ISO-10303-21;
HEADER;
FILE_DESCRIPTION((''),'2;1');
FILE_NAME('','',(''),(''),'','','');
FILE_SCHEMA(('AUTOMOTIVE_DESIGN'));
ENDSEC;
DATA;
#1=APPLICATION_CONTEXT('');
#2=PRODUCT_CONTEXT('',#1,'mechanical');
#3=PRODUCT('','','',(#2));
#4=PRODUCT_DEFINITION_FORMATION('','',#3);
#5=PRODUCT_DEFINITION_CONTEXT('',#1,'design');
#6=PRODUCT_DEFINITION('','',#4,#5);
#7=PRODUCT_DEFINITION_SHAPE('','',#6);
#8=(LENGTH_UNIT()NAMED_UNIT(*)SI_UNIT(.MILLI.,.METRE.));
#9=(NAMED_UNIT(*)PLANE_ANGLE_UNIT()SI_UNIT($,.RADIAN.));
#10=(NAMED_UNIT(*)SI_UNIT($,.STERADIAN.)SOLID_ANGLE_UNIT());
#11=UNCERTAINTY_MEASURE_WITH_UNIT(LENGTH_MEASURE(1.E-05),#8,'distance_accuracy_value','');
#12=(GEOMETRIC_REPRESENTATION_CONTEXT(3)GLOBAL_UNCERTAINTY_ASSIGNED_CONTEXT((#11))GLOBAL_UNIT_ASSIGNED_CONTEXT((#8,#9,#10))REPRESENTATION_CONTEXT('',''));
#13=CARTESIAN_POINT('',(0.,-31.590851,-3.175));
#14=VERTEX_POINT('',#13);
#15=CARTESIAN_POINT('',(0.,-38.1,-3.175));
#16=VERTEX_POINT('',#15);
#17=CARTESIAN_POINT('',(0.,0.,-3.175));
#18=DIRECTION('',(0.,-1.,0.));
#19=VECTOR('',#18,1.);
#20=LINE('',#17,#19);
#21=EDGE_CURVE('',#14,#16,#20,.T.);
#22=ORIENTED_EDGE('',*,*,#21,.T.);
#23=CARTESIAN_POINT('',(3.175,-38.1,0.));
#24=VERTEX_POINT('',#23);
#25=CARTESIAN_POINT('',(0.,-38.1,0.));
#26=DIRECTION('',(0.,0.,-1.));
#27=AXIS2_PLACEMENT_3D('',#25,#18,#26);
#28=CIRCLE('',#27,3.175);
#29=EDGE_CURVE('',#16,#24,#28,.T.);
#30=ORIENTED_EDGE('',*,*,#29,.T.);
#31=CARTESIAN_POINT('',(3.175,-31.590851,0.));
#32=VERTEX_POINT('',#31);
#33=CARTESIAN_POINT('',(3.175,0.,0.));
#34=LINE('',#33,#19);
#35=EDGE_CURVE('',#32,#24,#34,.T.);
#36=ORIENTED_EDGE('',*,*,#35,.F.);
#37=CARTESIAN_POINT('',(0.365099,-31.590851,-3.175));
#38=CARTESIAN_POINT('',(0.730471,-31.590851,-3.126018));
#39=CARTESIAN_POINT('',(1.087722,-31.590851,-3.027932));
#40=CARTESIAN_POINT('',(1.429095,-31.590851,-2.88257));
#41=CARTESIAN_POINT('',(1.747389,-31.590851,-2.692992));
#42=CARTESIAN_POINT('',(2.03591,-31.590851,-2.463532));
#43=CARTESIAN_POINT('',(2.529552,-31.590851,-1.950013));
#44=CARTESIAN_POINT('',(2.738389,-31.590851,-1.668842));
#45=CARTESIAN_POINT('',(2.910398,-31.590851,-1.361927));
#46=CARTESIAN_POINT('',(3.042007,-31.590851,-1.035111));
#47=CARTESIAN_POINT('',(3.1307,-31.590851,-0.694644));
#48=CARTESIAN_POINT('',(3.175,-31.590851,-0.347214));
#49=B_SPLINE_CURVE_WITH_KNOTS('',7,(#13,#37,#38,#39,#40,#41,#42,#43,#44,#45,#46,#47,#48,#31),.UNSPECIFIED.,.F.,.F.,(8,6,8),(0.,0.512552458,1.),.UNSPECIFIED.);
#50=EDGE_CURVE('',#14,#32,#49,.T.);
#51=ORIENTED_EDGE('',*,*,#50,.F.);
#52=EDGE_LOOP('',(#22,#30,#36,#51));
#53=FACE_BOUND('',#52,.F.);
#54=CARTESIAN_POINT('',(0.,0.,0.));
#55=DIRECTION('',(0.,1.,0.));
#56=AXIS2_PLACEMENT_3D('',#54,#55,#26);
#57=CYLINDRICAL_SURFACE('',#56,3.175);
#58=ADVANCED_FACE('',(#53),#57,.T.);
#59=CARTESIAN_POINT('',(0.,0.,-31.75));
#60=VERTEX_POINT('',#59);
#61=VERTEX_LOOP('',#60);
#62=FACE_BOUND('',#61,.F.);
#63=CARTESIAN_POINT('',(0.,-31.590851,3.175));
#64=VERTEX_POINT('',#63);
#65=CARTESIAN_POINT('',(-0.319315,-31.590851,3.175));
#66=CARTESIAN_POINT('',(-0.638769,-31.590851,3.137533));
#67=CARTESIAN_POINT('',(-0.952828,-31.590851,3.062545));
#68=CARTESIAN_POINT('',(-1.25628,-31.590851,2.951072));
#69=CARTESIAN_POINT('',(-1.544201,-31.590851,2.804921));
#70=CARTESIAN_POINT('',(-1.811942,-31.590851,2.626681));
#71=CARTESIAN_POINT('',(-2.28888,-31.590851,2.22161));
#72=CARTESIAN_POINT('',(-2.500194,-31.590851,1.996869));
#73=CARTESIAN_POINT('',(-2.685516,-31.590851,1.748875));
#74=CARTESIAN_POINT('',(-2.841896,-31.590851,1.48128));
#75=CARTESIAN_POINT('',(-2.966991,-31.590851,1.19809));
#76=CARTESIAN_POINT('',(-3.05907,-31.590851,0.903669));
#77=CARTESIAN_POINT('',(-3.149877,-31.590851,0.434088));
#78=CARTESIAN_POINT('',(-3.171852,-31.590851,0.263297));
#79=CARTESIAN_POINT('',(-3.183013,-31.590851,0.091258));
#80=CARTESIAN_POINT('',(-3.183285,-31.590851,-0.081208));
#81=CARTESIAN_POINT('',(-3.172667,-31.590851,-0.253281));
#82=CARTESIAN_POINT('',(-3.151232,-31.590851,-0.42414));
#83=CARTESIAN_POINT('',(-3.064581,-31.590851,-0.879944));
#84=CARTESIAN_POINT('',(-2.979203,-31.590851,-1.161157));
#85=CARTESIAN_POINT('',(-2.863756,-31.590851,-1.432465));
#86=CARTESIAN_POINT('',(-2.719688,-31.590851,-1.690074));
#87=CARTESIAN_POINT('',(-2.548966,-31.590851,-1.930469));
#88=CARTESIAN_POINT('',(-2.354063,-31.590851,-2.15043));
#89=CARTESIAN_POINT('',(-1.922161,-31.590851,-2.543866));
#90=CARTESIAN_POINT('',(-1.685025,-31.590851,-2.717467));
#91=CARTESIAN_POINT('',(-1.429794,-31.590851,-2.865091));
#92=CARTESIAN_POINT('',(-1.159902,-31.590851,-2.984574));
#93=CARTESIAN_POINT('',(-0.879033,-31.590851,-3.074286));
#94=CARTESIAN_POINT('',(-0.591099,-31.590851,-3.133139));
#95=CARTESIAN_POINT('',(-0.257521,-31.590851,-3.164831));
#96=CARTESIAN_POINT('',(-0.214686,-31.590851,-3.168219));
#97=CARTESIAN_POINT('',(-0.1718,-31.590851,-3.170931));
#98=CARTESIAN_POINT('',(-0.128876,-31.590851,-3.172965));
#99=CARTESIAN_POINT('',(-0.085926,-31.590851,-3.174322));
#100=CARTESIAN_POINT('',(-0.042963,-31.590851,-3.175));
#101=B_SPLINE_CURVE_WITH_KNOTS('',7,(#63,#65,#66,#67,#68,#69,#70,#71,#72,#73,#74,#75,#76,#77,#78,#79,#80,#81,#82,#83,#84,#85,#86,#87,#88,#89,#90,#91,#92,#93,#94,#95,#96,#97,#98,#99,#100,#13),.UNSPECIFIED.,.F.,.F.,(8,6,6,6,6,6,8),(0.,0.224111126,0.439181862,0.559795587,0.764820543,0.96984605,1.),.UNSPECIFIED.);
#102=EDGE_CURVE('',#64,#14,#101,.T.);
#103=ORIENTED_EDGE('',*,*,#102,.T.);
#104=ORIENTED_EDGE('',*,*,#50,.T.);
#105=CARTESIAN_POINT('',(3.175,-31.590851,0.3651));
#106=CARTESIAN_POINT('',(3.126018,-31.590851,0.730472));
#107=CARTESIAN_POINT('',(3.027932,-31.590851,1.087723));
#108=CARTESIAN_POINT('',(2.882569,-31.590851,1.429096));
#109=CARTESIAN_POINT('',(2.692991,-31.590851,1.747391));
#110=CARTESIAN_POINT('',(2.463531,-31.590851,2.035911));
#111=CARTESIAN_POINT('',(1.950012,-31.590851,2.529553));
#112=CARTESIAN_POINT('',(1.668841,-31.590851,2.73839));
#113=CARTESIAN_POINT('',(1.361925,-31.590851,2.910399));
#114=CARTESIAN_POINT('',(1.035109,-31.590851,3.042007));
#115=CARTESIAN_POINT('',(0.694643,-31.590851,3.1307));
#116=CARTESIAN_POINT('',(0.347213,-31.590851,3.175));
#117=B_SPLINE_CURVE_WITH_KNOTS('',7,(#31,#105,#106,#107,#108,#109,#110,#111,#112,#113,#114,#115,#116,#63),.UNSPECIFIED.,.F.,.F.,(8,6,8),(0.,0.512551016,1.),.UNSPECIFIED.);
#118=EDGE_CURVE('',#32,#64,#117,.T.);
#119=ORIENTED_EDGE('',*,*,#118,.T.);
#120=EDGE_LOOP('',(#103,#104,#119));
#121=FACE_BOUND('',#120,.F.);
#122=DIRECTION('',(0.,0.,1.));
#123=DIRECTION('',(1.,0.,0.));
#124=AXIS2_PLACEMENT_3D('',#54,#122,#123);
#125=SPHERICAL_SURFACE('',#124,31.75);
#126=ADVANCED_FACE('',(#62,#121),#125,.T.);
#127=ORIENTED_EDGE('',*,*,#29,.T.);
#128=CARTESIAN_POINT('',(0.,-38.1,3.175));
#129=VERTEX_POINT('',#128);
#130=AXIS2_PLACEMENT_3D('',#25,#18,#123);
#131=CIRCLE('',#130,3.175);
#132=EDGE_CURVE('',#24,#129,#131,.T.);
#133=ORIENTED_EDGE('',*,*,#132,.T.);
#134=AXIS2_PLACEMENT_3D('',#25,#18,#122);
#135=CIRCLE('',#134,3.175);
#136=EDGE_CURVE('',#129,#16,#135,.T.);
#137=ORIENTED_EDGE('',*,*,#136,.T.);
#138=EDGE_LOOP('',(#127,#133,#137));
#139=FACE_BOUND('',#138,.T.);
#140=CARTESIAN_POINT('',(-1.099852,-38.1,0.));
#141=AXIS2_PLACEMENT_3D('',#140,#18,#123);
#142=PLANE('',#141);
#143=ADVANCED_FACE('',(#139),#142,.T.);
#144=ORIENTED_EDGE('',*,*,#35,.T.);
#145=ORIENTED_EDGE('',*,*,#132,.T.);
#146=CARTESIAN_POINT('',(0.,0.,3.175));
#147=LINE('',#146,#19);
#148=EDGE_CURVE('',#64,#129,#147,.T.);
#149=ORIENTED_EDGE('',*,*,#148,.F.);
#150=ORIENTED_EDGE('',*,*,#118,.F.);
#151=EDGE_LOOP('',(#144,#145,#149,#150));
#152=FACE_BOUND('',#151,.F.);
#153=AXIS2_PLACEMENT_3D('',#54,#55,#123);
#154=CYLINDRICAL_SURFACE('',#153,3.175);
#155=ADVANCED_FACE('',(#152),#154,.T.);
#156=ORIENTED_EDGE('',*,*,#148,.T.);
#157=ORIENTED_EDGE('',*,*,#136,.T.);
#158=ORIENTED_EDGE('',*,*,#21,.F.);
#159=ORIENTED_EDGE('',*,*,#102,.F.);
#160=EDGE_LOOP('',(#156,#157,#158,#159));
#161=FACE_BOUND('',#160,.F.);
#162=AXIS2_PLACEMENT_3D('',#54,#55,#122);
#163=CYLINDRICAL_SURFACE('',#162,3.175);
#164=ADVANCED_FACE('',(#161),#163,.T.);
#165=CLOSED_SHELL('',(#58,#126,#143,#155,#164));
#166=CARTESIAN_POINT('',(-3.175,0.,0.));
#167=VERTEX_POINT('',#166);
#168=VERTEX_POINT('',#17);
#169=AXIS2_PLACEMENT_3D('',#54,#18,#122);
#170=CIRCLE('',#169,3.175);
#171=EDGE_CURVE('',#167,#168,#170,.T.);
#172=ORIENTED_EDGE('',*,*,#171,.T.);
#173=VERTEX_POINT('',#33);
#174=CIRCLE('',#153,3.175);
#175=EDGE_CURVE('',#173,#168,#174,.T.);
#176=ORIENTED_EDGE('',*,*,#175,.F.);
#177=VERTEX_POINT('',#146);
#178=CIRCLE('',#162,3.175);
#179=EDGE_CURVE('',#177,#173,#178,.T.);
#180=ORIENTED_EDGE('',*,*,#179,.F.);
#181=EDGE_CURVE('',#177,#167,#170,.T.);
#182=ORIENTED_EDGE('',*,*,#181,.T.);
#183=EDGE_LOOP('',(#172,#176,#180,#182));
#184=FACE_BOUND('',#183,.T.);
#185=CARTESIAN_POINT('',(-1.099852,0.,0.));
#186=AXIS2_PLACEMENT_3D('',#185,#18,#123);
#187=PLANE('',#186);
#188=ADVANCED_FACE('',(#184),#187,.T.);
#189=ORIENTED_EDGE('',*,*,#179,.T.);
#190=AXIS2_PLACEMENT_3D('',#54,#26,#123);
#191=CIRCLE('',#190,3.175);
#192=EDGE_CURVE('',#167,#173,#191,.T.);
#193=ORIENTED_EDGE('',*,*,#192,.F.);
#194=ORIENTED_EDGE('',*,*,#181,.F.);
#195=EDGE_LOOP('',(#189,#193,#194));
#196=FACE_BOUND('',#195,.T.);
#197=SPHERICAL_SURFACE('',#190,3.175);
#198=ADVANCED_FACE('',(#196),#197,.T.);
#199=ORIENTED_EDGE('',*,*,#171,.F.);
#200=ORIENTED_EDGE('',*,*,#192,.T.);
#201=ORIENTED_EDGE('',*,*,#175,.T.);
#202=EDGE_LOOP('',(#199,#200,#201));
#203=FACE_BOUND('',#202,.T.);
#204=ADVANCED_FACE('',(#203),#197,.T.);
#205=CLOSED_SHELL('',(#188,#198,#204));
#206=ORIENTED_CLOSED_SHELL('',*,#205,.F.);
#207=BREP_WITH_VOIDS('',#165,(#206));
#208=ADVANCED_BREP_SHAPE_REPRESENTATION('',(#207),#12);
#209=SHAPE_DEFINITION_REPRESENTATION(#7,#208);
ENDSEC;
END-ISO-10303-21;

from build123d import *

# Parameters (mm, degrees)
F2_DEPTH = 38.1


with BuildPart() as f1:
    # F0 (on Front) → F1 (revolve)
    with BuildSketch(Plane.XZ):
        with BuildLine():
            Line((0, -3.175), (0, -31.75))
            ThreePointArc((0, -31.75), (31.75, 0), (0, 31.75))
            Line((0, 31.75), (0, 3.175))
            ThreePointArc((0, 3.175), (2.2450640303, 2.2450640303), (3.175, 0))
            ThreePointArc((3.175, 0), (2.2450640303, -2.2450640303), (0, -3.175))
        make_face()
    revolve(axis=Axis((0, 0, 0), (0, 0, -1)))

    # F0 (on Front) → F2 (join)
    with BuildSketch(Plane.XZ):
        with BuildLine():
            ThreePointArc((0, 3.175), (-3.175, 0), (0, -3.175))
            Line((0, -3.175), (0, 3.175))
        make_face()
        with BuildLine():
            Line((0, 3.175), (0, -3.175))
            ThreePointArc((0, -3.175), (2.2450640303, -2.2450640303), (3.175, 0))
            ThreePointArc((3.175, 0), (2.2450640303, 2.2450640303), (0, 3.175))
        make_face()
    extrude(amount=F2_DEPTH)


solid = f1.part
